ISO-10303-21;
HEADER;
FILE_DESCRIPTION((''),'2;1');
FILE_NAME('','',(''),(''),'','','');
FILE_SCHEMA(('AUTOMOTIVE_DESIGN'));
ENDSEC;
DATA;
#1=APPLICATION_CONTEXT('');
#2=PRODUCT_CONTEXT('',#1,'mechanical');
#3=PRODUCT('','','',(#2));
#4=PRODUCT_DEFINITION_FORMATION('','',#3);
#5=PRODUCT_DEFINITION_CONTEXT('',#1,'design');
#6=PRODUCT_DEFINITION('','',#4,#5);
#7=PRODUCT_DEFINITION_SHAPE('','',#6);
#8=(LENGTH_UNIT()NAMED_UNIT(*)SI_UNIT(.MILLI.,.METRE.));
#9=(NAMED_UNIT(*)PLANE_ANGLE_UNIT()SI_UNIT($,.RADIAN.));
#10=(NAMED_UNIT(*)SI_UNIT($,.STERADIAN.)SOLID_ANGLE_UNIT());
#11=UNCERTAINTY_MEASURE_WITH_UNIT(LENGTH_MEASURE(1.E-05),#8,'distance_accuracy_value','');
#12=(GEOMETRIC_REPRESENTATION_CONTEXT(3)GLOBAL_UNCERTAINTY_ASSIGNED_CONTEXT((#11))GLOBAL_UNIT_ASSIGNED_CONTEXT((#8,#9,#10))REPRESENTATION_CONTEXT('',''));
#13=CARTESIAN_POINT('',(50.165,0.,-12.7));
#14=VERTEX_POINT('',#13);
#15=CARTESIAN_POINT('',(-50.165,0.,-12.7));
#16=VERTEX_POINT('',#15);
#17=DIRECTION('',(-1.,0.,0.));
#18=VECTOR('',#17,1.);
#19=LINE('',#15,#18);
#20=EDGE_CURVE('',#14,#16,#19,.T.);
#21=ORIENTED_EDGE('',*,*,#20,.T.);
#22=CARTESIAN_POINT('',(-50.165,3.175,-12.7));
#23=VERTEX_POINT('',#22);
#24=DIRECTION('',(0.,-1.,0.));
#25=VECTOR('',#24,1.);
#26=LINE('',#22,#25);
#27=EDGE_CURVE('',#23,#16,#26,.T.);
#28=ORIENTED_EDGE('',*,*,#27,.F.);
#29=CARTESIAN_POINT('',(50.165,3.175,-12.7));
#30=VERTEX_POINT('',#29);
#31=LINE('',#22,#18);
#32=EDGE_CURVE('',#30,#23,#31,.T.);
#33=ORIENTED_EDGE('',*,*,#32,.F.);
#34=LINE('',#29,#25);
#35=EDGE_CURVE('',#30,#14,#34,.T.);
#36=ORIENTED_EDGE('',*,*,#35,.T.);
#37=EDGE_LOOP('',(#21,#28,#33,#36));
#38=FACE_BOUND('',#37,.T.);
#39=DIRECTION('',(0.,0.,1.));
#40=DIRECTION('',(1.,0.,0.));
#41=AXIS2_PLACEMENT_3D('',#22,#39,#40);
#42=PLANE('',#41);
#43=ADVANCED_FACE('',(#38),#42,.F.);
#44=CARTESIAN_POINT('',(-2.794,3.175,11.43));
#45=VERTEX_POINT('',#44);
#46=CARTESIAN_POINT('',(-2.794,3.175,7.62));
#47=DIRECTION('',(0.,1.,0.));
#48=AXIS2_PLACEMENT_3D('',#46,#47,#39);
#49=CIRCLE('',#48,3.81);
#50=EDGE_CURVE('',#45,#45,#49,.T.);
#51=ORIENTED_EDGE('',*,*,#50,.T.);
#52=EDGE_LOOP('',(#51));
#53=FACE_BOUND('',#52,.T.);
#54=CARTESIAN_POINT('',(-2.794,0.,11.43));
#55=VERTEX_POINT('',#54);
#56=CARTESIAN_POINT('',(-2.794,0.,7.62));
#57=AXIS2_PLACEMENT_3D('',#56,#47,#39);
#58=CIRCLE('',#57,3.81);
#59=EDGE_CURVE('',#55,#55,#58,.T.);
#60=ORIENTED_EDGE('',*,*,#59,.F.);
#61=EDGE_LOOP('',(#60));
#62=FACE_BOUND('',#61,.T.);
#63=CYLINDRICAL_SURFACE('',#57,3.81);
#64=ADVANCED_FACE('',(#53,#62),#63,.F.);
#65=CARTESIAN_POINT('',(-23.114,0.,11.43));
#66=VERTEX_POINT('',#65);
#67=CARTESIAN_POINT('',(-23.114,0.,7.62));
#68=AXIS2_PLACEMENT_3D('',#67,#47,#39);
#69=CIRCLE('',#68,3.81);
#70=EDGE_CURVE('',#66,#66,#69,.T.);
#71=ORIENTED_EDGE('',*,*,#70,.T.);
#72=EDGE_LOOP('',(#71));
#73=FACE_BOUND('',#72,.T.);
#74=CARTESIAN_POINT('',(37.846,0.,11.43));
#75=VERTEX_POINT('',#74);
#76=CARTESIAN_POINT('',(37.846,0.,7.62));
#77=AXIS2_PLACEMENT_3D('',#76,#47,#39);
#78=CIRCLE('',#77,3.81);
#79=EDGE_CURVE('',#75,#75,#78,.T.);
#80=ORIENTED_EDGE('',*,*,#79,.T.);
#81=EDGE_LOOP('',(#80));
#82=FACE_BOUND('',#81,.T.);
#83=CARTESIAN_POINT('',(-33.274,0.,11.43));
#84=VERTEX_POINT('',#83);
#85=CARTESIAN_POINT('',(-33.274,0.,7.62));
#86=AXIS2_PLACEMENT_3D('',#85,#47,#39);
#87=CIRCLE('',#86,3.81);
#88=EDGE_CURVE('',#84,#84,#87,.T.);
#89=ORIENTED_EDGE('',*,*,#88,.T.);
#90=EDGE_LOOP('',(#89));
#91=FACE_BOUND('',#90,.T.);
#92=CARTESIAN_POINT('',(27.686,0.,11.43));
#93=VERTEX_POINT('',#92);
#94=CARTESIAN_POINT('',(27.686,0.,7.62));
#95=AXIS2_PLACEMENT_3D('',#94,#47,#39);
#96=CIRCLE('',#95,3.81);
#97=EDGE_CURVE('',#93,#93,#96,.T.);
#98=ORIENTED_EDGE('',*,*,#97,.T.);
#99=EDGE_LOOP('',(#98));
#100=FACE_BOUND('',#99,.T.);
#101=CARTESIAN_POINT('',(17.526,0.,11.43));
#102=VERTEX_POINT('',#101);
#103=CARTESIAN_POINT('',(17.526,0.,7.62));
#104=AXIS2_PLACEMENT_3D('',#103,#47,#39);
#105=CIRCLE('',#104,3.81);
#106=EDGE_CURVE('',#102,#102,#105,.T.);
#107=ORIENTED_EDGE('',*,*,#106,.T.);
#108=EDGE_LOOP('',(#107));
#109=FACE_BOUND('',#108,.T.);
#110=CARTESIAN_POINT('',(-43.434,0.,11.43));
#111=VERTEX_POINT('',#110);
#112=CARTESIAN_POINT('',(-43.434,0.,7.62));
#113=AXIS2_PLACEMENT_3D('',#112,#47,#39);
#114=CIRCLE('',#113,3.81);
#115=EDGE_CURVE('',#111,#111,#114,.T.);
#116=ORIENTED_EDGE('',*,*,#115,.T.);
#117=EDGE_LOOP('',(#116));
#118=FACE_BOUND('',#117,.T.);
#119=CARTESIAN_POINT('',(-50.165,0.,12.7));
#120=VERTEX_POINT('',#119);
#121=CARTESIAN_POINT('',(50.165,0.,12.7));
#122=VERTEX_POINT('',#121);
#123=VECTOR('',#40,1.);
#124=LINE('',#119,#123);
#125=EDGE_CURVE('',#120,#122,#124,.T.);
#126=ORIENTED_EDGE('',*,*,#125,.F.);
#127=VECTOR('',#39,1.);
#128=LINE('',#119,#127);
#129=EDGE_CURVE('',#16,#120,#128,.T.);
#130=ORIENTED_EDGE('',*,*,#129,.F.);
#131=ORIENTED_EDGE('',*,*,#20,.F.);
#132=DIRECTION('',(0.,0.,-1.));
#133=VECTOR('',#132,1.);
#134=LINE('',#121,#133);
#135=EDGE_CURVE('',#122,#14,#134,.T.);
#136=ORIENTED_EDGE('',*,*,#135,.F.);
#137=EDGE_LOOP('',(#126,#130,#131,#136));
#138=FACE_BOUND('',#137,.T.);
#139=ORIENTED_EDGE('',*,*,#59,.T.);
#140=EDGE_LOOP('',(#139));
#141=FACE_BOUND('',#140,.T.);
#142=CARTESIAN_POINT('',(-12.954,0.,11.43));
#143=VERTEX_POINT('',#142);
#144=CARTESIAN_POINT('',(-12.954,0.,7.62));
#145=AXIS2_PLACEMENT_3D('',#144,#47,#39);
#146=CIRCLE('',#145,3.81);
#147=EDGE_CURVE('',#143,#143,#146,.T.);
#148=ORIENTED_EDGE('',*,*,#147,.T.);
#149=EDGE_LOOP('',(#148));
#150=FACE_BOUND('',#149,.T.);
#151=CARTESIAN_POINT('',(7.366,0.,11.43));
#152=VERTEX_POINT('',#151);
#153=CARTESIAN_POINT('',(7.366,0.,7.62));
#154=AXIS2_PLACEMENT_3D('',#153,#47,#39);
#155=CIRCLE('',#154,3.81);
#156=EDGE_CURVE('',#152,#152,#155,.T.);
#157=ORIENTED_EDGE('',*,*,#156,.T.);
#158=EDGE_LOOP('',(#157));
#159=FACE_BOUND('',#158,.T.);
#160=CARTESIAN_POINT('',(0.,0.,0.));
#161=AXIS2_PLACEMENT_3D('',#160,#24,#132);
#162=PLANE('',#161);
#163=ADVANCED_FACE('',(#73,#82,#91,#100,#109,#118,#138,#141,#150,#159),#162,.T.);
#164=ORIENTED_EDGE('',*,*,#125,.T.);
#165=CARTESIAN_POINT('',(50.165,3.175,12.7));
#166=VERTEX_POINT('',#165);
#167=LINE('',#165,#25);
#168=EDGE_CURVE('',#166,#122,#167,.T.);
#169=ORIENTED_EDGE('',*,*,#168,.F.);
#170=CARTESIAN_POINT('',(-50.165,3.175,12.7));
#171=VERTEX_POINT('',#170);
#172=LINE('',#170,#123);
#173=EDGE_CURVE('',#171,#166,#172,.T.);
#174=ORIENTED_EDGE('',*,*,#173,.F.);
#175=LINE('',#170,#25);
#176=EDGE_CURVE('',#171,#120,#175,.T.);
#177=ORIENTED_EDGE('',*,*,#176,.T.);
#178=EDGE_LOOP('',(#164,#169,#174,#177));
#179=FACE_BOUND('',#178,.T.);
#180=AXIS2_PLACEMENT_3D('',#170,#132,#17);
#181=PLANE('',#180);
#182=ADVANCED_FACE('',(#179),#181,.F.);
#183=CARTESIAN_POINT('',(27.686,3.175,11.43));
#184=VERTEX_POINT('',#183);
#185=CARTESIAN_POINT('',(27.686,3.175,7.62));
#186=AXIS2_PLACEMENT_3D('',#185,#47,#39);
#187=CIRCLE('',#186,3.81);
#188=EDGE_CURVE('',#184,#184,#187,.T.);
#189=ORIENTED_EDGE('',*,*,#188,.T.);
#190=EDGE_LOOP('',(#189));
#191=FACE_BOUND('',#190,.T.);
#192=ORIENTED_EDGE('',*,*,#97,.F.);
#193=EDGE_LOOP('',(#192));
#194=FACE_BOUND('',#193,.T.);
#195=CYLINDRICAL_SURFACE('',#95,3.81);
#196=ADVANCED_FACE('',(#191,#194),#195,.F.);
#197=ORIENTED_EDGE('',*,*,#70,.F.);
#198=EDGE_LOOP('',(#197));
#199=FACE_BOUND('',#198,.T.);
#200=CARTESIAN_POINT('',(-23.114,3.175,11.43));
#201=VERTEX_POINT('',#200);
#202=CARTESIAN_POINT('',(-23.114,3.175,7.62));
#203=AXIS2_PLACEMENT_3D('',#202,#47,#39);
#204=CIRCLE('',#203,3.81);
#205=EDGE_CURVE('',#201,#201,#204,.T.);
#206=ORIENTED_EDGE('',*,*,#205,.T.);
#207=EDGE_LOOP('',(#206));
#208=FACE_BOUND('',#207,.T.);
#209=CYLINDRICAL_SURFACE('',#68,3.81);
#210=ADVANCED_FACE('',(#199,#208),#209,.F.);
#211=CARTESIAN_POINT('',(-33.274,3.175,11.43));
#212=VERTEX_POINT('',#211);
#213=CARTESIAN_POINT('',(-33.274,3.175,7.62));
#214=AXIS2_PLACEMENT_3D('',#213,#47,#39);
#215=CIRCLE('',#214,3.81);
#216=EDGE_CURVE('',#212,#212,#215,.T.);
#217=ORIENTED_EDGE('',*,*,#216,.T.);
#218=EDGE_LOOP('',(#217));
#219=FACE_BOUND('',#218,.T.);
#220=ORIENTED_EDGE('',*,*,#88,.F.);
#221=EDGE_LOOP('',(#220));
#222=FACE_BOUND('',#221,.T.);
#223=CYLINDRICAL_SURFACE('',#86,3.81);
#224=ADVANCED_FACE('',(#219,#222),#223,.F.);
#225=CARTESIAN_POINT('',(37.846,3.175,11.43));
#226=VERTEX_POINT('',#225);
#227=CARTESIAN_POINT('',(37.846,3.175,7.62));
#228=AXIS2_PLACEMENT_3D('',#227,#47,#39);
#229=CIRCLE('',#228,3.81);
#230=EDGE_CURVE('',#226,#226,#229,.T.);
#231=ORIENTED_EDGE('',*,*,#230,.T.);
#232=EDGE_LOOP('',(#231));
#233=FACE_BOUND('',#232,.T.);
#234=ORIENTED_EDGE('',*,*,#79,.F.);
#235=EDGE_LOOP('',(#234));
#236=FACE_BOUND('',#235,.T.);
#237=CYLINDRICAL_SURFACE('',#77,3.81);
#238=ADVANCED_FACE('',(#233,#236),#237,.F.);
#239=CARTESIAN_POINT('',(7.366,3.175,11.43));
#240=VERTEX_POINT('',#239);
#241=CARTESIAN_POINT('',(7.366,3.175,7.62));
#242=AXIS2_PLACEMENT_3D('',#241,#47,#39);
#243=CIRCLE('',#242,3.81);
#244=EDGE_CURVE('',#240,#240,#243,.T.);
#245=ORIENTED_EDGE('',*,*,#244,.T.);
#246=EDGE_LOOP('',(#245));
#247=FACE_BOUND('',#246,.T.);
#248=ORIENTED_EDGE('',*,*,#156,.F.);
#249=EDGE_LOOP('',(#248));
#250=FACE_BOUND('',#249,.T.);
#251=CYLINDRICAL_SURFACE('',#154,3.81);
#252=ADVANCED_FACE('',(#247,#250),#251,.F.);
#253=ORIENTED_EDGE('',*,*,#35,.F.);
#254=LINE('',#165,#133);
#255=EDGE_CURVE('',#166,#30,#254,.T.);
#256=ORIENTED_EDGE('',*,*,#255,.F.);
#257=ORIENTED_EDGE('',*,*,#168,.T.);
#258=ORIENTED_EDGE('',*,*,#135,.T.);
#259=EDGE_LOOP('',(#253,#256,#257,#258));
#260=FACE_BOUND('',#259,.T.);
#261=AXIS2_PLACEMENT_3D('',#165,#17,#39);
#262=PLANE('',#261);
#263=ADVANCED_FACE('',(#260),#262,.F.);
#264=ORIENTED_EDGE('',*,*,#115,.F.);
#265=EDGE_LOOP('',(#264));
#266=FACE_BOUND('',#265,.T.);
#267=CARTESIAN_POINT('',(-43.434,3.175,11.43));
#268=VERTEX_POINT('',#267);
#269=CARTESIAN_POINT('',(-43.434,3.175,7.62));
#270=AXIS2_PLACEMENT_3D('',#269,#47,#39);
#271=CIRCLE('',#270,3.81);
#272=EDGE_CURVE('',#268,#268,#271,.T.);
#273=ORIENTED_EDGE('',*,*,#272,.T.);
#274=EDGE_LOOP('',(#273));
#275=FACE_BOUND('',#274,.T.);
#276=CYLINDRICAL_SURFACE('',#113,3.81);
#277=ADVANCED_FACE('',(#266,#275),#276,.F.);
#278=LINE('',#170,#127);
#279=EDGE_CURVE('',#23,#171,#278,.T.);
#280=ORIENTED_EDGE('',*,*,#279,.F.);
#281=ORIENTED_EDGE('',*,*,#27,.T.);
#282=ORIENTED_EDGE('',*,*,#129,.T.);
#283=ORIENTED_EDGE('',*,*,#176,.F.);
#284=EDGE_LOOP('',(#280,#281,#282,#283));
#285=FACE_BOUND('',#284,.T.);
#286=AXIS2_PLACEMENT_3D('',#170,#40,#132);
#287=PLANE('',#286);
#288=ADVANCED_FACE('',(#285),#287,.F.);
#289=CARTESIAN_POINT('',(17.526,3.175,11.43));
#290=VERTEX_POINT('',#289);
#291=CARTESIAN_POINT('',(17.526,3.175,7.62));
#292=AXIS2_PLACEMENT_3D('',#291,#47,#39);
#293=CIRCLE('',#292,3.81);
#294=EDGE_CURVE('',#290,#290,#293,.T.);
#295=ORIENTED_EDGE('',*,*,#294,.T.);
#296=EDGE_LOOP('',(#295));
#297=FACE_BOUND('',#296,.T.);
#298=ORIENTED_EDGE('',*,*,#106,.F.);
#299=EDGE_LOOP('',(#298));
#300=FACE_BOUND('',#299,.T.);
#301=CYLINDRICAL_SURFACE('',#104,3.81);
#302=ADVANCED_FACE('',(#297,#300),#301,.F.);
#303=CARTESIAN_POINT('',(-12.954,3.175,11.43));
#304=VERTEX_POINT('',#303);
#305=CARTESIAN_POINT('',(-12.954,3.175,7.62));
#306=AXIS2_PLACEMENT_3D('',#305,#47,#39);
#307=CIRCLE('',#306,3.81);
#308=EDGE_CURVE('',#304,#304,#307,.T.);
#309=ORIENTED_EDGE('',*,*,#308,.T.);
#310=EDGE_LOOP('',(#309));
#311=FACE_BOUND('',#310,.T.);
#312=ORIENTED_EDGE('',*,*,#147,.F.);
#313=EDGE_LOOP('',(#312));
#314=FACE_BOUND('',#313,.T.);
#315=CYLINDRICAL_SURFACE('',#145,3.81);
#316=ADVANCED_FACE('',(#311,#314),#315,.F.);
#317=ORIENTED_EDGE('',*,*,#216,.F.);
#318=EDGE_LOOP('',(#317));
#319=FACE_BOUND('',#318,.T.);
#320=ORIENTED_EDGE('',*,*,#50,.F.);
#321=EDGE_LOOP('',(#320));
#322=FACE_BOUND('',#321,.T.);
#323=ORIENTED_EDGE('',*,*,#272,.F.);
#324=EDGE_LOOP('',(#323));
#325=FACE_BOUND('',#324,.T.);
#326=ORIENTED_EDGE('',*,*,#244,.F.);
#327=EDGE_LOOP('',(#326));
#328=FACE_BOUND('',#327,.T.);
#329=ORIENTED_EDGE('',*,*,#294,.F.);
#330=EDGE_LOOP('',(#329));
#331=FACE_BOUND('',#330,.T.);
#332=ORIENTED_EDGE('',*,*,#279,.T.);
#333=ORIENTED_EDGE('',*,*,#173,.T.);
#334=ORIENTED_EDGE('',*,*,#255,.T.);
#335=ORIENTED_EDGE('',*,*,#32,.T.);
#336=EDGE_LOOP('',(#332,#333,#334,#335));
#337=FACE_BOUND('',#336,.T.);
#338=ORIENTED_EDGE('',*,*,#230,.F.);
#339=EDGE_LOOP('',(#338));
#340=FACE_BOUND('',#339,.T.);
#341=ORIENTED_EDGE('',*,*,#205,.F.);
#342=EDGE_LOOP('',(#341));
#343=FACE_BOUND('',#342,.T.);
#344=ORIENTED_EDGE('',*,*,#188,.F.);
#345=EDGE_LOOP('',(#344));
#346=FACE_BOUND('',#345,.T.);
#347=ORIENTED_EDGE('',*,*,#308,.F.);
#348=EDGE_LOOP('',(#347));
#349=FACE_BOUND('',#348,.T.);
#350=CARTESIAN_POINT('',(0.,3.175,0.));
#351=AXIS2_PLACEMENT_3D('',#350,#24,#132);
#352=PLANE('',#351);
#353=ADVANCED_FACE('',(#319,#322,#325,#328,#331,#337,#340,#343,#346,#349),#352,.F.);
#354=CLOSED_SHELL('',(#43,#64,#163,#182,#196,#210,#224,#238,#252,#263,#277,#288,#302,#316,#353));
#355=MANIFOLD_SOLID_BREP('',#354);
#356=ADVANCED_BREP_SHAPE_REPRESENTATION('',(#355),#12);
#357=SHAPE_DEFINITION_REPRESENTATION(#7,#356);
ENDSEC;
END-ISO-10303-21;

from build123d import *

# Parameters (mm, degrees)
SKETCH2_W           = 100.33
SKETCH2_H           = 25.4
BOSS_EXTRUDE1_DEPTH = 3.175
SKETCH3_R           = 3.81
CUT_EXTRUDE1_DEPTH  = 4.175


with BuildPart() as part:
    # Sketch2 → Boss-Extrude1 (new body)
    with BuildSketch(Plane(origin=(0, 0, 0), x_dir=(1, 0, 0), z_dir=(0, 1, 0))):
        Rectangle(SKETCH2_W, SKETCH2_H)
    extrude(amount=BOSS_EXTRUDE1_DEPTH)

    # Sketch3 → Cut-Extrude1 (cut, through all)
    with BuildSketch(Plane(origin=(0, 3.175, 0), x_dir=(1, 0, 0), z_dir=(0, 1, 0))):
        with Locations((-43.434, -7.62)):
            Circle(SKETCH3_R)
        with Locations((-33.274, -7.62)):
            Circle(SKETCH3_R)
        with Locations((-23.114, -7.62)):
            Circle(SKETCH3_R)
        with Locations((-12.954, -7.62)):
            Circle(SKETCH3_R)
        with Locations((-2.794, -7.62)):
            Circle(SKETCH3_R)
        with Locations((7.366, -7.62)):
            Circle(SKETCH3_R)
        with Locations((17.526, -7.62)):
            Circle(SKETCH3_R)
        with Locations((27.686, -7.62)):
            Circle(SKETCH3_R)
        with Locations((37.846, -7.62)):
            Circle(SKETCH3_R)
    extrude(amount=-CUT_EXTRUDE1_DEPTH, mode=Mode.SUBTRACT)


solid = part.part
